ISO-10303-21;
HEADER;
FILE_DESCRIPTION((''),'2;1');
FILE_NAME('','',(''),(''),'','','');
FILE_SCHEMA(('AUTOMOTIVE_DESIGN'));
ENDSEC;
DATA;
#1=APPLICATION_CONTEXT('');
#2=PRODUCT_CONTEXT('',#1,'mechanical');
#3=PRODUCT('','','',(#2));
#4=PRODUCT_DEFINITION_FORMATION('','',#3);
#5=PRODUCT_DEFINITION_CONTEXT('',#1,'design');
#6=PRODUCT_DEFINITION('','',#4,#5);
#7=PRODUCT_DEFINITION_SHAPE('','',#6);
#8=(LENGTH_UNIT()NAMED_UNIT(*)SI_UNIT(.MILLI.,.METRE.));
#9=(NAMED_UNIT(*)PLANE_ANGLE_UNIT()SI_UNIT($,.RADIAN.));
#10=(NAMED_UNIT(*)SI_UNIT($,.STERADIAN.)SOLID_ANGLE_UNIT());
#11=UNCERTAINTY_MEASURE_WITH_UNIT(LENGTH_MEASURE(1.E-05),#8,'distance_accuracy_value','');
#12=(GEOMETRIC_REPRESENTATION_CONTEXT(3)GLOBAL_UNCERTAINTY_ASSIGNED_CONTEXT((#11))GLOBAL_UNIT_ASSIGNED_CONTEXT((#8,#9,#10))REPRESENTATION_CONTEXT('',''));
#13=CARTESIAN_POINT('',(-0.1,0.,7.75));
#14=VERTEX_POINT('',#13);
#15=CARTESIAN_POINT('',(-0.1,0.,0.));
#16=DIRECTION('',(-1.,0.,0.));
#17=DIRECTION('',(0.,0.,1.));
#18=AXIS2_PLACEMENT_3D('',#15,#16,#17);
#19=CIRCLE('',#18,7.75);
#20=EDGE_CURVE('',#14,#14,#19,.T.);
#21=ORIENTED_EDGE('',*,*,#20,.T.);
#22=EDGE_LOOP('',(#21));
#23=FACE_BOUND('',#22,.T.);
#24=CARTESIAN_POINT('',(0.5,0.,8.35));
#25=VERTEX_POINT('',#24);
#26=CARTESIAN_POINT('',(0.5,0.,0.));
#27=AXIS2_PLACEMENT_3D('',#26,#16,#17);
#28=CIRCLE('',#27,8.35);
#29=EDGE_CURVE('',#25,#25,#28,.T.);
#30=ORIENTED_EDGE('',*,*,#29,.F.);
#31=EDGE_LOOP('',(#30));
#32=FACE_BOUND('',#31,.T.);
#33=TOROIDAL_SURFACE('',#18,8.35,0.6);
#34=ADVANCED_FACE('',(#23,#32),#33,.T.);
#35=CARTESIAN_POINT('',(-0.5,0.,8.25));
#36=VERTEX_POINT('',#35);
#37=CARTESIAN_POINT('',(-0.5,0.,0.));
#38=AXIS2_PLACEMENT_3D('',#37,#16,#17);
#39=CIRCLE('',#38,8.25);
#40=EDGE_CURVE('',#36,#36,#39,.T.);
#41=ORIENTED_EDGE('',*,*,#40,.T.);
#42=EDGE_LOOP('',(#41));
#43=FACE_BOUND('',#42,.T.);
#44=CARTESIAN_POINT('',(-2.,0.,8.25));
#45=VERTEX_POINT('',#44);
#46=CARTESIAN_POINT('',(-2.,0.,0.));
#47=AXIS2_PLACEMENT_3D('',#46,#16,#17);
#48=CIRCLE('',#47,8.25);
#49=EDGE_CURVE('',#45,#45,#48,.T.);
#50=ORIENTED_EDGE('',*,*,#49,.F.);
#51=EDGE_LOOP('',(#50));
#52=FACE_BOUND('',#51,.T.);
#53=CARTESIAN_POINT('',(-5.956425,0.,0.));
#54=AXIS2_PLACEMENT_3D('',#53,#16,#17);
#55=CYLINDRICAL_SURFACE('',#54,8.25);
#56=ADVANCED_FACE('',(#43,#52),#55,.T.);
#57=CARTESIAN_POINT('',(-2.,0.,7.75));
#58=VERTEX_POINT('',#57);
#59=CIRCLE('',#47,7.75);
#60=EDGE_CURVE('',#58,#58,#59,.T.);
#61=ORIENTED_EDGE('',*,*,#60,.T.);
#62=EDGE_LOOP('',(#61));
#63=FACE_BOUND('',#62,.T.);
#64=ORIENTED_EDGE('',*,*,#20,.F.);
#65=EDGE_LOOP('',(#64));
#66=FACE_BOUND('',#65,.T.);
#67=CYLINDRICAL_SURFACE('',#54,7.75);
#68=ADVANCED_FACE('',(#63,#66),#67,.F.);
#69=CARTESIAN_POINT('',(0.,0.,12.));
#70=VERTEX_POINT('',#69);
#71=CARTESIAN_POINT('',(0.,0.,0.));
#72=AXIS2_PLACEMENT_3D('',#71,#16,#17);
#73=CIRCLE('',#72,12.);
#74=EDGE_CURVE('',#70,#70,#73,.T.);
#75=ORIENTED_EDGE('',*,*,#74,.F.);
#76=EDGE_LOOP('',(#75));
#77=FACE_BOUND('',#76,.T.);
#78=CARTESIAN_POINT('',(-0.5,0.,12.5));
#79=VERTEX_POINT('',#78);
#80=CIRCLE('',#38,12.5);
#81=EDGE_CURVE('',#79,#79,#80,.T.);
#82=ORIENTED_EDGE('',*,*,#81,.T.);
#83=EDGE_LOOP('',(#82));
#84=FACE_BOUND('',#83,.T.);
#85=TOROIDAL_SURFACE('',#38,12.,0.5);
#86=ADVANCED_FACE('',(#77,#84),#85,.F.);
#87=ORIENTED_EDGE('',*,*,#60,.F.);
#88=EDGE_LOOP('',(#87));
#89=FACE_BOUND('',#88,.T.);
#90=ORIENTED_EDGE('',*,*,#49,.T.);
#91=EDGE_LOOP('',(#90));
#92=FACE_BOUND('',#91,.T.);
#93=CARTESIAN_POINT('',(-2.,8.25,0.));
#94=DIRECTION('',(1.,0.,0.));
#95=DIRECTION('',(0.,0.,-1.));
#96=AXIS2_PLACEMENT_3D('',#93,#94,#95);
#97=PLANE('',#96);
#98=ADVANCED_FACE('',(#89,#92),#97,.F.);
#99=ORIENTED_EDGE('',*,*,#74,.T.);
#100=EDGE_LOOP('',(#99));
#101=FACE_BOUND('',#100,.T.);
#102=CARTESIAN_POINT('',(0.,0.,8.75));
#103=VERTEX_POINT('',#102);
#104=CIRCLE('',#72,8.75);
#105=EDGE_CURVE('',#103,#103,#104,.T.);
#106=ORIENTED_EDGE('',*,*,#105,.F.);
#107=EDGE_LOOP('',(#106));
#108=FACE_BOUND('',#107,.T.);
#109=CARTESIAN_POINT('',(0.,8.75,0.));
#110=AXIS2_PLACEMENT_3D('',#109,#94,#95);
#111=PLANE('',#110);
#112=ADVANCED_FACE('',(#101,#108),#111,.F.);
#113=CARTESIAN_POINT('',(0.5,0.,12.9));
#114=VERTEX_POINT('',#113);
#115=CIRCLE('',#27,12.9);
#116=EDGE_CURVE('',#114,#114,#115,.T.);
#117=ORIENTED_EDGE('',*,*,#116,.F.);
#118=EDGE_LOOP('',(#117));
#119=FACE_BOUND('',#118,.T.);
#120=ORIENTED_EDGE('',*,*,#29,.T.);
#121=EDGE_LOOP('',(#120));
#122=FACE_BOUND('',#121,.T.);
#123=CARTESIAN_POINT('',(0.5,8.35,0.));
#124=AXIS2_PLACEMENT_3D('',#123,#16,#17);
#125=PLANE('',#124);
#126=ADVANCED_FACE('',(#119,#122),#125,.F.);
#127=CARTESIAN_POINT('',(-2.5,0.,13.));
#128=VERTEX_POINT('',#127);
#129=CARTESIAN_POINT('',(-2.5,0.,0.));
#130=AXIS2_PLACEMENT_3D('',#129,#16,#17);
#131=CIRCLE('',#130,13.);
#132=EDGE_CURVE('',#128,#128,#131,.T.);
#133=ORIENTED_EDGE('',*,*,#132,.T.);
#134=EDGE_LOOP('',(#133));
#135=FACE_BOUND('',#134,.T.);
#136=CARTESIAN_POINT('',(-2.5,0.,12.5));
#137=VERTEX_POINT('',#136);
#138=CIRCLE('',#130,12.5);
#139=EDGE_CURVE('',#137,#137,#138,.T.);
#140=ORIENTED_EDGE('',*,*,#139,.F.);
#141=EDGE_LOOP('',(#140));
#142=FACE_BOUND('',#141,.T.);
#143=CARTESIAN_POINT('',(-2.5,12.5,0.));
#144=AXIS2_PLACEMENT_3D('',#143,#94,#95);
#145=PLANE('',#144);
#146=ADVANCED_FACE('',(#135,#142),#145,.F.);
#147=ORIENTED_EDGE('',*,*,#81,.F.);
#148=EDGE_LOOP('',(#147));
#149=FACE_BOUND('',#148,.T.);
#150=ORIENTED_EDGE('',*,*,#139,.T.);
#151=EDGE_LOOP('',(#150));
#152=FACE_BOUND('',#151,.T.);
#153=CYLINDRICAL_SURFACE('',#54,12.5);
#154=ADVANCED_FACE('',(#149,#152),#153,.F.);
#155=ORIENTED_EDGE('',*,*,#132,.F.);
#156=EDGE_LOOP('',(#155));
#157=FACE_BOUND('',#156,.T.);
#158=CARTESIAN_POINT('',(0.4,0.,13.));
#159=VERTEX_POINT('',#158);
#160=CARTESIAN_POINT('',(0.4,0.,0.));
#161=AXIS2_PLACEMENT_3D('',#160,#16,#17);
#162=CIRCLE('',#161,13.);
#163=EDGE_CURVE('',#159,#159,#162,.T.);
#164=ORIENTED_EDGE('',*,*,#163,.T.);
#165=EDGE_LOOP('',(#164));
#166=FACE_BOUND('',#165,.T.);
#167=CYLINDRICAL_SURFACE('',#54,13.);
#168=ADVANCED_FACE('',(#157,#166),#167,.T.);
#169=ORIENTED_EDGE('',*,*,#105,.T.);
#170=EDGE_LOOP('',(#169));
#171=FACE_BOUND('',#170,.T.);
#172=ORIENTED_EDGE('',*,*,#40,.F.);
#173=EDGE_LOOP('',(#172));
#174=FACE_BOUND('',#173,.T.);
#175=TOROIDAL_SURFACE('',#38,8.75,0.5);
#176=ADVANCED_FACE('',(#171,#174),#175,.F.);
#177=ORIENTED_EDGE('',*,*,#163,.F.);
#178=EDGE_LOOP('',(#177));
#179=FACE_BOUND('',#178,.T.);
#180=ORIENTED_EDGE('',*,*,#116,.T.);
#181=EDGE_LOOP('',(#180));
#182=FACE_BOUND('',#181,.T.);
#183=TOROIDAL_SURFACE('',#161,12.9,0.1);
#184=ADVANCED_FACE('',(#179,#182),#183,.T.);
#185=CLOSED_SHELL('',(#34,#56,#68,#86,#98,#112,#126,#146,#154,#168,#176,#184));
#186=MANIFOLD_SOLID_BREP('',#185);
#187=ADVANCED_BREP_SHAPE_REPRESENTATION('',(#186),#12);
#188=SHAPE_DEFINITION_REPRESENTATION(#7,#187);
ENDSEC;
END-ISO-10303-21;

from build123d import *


with BuildPart() as part:
    # Esquisse1 → Révolution1 (revolve)
    with BuildSketch(Plane.XY, mode=Mode.PRIVATE) as r_volution1_sk:
        with BuildLine():
            Line((0, 8.75), (0, 12))
            ThreePointArc((0, 12), (-0.146446609, 12.353553391), (-0.5, 12.5))
            Line((-0.5, 12.5), (-2.5, 12.5))
            Line((-2.5, 12.5), (-2.5, 13))
            Line((-2.5, 13), (0.4, 13))
            ThreePointArc((0.4, 13), (0.470710678, 12.970710678), (0.5, 12.9))
            Line((0.5, 12.9), (0.5, 8.35))
            ThreePointArc((0.5, 8.35), (0.324264069, 7.925735931), (-0.1, 7.75))
            Line((-0.1, 7.75), (-2, 7.75))
            Line((-2, 7.75), (-2, 8.25))
            Line((-2, 8.25), (-0.5, 8.25))
            ThreePointArc((-0.5, 8.25), (-0.146446609, 8.396446609), (0, 8.75))
        make_face()
    revolve(r_volution1_sk.sketch.rotate(Axis((-5.956424792, 0, 0), (1, 0, 0)), 90), axis=Axis((-5.956424792, 0, 0), (1, 0, 0)))  # turned: the seam where the file's is


solid = part.part
